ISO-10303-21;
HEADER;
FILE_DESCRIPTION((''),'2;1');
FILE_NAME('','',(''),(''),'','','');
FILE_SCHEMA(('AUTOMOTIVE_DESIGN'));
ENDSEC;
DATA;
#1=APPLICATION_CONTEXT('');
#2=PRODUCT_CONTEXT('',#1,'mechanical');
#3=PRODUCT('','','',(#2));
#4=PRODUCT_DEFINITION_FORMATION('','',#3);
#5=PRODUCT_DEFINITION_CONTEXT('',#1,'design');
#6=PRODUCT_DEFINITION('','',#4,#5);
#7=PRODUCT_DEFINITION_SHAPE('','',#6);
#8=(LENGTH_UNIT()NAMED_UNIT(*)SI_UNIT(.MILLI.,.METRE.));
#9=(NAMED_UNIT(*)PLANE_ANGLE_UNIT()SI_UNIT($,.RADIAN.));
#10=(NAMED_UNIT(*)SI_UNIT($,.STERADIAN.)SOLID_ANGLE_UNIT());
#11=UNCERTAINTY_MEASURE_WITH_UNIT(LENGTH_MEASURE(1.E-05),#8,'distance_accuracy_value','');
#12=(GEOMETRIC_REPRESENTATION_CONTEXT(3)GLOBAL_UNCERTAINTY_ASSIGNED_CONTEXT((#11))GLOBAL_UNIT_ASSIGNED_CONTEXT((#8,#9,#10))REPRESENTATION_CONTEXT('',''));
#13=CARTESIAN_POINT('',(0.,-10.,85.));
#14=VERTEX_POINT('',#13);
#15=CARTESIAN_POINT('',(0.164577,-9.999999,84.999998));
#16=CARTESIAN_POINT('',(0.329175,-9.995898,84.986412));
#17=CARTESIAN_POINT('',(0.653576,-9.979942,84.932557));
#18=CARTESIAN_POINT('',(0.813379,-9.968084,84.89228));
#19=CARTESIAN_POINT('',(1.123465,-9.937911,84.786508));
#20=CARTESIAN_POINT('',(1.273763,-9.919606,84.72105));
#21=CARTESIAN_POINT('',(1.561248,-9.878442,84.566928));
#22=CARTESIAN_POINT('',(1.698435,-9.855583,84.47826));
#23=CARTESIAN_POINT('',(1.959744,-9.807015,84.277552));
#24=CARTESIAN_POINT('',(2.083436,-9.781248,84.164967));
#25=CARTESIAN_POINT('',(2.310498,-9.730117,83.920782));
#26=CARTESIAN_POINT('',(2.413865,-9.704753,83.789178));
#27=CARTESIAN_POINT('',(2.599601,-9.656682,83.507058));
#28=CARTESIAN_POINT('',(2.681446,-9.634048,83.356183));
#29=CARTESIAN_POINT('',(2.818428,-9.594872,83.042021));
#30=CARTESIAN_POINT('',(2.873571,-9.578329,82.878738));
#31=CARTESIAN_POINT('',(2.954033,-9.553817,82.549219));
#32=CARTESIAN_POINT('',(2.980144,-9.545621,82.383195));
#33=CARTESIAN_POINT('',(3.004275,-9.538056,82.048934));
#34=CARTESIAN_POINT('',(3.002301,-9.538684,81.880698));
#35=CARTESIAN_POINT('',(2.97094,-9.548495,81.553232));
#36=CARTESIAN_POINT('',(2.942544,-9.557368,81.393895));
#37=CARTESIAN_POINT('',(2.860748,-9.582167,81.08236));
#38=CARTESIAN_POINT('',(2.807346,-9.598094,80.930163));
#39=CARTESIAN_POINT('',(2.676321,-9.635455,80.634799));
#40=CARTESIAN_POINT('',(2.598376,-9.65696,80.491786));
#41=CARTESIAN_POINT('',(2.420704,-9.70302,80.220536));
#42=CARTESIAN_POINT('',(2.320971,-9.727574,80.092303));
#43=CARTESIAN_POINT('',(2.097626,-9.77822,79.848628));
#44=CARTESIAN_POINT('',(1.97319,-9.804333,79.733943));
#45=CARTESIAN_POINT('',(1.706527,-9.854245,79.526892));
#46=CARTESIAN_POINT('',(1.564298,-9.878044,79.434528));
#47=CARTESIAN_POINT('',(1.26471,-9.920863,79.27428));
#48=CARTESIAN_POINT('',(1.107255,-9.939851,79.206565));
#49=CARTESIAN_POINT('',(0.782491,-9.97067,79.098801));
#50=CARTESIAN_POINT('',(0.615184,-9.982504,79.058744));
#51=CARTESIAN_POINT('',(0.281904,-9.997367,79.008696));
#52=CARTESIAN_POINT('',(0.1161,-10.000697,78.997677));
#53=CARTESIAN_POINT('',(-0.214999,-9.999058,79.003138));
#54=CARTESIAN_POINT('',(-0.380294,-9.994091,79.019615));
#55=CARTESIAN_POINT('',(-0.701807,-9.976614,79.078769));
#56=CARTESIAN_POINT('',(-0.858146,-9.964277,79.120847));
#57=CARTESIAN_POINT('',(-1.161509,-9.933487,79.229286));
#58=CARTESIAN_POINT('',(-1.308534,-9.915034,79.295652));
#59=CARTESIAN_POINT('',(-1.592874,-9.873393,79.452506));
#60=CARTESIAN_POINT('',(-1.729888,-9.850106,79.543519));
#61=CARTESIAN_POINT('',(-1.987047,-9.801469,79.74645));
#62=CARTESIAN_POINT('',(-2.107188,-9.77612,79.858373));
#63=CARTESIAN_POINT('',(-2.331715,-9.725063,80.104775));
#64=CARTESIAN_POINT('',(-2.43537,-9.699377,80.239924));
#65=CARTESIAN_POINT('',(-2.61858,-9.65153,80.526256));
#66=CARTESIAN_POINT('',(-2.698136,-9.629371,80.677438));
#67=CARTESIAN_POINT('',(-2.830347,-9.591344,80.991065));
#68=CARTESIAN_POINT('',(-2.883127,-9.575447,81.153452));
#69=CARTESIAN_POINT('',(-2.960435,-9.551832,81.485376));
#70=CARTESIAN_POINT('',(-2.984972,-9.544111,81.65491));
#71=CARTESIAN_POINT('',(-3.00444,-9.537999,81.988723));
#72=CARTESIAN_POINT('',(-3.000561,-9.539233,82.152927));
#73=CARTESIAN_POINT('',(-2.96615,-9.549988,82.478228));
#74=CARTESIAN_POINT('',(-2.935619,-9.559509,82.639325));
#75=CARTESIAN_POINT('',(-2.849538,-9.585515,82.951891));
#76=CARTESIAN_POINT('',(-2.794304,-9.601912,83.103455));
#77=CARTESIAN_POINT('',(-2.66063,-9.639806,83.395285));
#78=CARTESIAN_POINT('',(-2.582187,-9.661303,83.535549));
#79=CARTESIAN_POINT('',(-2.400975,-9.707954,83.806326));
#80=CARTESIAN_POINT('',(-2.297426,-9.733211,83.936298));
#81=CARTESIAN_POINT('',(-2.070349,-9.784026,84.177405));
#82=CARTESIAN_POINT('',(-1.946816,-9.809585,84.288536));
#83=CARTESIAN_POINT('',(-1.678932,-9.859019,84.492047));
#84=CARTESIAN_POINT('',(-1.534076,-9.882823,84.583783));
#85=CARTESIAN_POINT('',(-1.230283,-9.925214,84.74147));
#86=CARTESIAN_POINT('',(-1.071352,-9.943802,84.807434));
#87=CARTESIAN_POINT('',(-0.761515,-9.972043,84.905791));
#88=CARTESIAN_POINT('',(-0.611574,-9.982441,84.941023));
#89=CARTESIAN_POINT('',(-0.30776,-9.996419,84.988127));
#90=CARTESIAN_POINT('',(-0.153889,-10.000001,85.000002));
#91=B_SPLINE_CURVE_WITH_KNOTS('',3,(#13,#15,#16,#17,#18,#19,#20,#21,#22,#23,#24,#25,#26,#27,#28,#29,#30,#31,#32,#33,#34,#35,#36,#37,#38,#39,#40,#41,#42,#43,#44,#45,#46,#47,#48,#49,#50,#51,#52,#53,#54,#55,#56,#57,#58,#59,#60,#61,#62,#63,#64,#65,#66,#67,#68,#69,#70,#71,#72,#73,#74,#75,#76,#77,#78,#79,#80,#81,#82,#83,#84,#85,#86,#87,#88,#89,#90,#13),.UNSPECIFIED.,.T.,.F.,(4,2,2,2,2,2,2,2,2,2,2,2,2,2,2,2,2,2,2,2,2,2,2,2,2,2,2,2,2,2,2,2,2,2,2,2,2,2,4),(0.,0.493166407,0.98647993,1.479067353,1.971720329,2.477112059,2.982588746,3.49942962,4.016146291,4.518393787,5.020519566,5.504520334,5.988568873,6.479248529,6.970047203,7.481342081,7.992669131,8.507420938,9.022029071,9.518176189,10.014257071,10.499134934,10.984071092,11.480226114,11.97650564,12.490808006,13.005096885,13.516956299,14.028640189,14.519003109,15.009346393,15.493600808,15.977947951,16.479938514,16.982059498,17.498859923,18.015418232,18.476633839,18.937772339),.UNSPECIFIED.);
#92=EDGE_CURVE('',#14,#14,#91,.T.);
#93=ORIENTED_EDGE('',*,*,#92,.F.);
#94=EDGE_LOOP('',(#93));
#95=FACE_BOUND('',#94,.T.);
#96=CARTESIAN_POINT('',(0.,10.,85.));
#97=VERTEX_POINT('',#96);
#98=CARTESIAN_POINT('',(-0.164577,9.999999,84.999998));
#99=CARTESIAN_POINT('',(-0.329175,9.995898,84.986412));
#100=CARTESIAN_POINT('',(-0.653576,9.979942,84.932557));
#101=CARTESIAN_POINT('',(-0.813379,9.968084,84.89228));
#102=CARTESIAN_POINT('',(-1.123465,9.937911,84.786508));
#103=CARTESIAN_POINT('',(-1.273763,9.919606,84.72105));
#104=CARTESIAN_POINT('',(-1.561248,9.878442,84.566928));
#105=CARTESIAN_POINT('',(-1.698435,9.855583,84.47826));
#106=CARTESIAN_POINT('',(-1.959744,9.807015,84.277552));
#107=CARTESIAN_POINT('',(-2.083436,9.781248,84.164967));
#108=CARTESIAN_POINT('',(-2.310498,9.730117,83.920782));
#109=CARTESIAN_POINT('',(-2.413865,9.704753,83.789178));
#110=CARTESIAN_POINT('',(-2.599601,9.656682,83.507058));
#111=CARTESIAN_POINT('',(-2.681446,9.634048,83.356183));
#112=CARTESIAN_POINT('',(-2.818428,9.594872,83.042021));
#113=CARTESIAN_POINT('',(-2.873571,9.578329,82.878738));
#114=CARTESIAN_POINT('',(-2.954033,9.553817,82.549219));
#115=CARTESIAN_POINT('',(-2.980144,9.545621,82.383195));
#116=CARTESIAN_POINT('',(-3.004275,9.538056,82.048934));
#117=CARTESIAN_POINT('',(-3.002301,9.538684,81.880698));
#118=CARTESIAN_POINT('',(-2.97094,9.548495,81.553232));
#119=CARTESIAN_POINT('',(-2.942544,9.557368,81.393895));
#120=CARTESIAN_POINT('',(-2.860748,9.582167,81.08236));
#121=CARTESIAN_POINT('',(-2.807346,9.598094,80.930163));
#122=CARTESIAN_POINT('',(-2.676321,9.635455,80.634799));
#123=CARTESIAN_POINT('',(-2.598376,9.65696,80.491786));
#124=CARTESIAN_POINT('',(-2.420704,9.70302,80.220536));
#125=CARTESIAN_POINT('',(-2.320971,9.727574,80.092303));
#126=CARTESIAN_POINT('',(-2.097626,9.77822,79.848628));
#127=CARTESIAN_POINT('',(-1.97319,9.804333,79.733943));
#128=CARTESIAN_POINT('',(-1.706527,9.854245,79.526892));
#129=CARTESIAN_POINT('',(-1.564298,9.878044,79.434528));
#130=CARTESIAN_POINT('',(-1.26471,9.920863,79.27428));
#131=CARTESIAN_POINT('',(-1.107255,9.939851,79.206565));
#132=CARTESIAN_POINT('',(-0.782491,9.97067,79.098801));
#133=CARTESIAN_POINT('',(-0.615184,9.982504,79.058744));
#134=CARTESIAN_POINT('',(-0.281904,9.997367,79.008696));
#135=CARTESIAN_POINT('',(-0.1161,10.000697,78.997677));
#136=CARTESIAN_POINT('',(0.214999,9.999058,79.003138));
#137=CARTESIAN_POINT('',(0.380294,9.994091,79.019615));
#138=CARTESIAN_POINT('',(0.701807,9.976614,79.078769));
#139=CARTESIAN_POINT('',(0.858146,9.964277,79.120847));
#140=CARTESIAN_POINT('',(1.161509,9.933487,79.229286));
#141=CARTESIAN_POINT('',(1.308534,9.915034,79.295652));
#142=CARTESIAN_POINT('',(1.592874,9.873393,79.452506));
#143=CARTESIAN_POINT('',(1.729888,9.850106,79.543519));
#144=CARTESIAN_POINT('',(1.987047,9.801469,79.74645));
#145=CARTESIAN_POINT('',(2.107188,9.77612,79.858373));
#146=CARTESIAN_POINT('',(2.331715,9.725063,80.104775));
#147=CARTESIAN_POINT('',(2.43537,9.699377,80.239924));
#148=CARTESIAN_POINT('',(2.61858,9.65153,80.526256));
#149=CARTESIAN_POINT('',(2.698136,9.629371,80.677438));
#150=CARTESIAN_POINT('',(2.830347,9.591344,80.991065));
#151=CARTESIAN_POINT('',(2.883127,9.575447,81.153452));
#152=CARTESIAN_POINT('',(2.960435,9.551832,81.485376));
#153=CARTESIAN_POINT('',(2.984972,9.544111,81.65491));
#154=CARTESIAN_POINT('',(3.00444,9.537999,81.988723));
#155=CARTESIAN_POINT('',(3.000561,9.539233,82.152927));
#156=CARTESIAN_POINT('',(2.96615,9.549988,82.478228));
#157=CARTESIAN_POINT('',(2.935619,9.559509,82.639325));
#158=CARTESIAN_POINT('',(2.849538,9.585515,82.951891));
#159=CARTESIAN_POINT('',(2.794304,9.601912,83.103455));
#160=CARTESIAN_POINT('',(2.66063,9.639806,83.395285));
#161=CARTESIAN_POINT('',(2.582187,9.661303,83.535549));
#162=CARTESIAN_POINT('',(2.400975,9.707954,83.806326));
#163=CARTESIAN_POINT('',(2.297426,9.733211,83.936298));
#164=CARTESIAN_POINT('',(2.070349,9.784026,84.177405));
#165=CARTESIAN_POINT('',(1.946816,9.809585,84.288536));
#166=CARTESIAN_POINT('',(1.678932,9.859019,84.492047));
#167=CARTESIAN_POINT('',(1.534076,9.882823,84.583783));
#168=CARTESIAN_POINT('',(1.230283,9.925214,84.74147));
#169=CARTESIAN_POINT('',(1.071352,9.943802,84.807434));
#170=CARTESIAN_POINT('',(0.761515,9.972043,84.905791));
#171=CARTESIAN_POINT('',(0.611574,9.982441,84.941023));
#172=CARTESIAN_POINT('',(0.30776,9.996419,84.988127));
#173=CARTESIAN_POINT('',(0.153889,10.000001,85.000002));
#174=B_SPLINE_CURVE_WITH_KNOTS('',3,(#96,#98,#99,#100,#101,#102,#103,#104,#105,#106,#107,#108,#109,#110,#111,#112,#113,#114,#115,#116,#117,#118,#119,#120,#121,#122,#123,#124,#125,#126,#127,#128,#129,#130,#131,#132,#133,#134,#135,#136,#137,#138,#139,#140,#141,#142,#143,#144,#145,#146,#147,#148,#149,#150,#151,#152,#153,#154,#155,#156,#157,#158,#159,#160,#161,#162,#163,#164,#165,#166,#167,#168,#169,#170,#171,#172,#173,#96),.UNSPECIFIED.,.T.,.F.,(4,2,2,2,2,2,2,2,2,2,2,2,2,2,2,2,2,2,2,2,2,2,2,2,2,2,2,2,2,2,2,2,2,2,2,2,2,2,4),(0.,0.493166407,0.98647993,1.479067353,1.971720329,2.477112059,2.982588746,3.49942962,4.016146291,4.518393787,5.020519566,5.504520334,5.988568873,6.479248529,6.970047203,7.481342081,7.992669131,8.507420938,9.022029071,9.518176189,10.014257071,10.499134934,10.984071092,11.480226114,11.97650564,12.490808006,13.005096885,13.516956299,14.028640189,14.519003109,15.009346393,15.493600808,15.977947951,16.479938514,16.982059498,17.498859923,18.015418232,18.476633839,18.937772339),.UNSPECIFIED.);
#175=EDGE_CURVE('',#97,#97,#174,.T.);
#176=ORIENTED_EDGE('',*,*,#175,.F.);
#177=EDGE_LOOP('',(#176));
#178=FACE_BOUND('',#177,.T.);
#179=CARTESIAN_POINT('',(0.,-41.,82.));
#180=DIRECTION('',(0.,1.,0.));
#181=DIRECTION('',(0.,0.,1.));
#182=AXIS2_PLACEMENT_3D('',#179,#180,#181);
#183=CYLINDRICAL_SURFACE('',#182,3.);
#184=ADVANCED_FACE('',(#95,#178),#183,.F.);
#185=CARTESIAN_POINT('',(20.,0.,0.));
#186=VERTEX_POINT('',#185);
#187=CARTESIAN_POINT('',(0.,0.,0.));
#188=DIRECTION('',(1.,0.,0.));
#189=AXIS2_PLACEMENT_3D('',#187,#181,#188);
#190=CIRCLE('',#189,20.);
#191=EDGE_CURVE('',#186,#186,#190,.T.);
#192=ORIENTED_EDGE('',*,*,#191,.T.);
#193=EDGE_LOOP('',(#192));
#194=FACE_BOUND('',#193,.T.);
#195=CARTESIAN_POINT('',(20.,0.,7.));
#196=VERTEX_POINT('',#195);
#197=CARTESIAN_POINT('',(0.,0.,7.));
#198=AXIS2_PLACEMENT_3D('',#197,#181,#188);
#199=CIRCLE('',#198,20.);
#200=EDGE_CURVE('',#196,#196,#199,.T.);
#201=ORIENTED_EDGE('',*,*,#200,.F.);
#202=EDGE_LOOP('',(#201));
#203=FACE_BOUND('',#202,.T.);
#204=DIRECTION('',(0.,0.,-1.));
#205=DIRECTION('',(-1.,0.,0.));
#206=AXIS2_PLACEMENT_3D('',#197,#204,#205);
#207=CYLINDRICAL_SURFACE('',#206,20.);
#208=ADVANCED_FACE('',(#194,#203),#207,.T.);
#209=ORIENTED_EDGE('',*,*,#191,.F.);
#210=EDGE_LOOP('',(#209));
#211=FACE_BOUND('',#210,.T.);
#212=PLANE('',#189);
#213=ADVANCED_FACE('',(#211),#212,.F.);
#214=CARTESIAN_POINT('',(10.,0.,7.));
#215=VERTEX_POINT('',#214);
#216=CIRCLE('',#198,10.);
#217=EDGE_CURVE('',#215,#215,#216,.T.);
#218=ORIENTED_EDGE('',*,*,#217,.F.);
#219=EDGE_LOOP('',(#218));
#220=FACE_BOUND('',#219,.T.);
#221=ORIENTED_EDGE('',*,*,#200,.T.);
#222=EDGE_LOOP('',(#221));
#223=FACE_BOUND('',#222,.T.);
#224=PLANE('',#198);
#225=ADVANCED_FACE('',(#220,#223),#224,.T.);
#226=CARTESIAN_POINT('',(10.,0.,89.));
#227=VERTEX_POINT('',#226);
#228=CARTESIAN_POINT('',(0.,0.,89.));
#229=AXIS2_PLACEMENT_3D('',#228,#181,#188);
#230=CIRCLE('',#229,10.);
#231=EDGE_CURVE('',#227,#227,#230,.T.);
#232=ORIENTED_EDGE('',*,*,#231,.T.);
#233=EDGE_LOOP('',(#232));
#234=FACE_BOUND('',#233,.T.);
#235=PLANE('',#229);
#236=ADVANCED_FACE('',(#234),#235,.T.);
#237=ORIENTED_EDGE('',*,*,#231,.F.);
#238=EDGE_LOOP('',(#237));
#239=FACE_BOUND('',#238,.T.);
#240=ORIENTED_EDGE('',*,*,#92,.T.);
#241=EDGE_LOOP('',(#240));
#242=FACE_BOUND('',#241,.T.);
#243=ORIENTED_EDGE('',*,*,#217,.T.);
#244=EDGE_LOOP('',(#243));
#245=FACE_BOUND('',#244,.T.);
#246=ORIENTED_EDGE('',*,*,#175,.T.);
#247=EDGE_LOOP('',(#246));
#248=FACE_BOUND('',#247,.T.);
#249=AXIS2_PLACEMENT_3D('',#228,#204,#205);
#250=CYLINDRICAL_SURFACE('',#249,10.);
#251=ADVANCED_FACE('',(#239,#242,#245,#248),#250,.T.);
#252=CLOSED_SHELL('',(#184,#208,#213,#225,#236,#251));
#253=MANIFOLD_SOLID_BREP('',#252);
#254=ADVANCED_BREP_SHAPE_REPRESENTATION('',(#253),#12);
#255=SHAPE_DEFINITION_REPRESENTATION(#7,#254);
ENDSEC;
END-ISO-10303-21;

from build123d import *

# Parameters (mm, degrees)
IZIM1_R                     = 20
Y_KSEKLIK_EKSTR_ZYON1_DEPTH = 7
IZIM2_R                     = 10
Y_KSEKLIK_EKSTR_ZYON2_DEPTH = 82
IZIM3_R                     = 3
KES_EKSTR_ZYON1_DEPTH       = 41


with BuildPart() as part:
    # Çizim1 → Yükseklik-Ekstrüzyon1 (new body)
    with BuildSketch(Plane.XY):
        Circle(IZIM1_R)
    extrude(amount=Y_KSEKLIK_EKSTR_ZYON1_DEPTH)

    # Çizim2 → Yükseklik-Ekstrüzyon2 (add)
    with BuildSketch(Plane.XY.offset(7)):
        Circle(IZIM2_R)
    extrude(amount=Y_KSEKLIK_EKSTR_ZYON2_DEPTH)

    # Çizim3 → Kes-Ekstrüzyon1 (cut, symmetric)
    with BuildSketch(Plane(origin=(0, 0, 0), x_dir=(1, 0, 0), z_dir=(0, 1, 0))):
        with Locations(Location((0, -82, 0), (0, 0, 270))):
            Circle(IZIM3_R)
    extrude(amount=KES_EKSTR_ZYON1_DEPTH, both=True, mode=Mode.SUBTRACT)


solid = part.part
